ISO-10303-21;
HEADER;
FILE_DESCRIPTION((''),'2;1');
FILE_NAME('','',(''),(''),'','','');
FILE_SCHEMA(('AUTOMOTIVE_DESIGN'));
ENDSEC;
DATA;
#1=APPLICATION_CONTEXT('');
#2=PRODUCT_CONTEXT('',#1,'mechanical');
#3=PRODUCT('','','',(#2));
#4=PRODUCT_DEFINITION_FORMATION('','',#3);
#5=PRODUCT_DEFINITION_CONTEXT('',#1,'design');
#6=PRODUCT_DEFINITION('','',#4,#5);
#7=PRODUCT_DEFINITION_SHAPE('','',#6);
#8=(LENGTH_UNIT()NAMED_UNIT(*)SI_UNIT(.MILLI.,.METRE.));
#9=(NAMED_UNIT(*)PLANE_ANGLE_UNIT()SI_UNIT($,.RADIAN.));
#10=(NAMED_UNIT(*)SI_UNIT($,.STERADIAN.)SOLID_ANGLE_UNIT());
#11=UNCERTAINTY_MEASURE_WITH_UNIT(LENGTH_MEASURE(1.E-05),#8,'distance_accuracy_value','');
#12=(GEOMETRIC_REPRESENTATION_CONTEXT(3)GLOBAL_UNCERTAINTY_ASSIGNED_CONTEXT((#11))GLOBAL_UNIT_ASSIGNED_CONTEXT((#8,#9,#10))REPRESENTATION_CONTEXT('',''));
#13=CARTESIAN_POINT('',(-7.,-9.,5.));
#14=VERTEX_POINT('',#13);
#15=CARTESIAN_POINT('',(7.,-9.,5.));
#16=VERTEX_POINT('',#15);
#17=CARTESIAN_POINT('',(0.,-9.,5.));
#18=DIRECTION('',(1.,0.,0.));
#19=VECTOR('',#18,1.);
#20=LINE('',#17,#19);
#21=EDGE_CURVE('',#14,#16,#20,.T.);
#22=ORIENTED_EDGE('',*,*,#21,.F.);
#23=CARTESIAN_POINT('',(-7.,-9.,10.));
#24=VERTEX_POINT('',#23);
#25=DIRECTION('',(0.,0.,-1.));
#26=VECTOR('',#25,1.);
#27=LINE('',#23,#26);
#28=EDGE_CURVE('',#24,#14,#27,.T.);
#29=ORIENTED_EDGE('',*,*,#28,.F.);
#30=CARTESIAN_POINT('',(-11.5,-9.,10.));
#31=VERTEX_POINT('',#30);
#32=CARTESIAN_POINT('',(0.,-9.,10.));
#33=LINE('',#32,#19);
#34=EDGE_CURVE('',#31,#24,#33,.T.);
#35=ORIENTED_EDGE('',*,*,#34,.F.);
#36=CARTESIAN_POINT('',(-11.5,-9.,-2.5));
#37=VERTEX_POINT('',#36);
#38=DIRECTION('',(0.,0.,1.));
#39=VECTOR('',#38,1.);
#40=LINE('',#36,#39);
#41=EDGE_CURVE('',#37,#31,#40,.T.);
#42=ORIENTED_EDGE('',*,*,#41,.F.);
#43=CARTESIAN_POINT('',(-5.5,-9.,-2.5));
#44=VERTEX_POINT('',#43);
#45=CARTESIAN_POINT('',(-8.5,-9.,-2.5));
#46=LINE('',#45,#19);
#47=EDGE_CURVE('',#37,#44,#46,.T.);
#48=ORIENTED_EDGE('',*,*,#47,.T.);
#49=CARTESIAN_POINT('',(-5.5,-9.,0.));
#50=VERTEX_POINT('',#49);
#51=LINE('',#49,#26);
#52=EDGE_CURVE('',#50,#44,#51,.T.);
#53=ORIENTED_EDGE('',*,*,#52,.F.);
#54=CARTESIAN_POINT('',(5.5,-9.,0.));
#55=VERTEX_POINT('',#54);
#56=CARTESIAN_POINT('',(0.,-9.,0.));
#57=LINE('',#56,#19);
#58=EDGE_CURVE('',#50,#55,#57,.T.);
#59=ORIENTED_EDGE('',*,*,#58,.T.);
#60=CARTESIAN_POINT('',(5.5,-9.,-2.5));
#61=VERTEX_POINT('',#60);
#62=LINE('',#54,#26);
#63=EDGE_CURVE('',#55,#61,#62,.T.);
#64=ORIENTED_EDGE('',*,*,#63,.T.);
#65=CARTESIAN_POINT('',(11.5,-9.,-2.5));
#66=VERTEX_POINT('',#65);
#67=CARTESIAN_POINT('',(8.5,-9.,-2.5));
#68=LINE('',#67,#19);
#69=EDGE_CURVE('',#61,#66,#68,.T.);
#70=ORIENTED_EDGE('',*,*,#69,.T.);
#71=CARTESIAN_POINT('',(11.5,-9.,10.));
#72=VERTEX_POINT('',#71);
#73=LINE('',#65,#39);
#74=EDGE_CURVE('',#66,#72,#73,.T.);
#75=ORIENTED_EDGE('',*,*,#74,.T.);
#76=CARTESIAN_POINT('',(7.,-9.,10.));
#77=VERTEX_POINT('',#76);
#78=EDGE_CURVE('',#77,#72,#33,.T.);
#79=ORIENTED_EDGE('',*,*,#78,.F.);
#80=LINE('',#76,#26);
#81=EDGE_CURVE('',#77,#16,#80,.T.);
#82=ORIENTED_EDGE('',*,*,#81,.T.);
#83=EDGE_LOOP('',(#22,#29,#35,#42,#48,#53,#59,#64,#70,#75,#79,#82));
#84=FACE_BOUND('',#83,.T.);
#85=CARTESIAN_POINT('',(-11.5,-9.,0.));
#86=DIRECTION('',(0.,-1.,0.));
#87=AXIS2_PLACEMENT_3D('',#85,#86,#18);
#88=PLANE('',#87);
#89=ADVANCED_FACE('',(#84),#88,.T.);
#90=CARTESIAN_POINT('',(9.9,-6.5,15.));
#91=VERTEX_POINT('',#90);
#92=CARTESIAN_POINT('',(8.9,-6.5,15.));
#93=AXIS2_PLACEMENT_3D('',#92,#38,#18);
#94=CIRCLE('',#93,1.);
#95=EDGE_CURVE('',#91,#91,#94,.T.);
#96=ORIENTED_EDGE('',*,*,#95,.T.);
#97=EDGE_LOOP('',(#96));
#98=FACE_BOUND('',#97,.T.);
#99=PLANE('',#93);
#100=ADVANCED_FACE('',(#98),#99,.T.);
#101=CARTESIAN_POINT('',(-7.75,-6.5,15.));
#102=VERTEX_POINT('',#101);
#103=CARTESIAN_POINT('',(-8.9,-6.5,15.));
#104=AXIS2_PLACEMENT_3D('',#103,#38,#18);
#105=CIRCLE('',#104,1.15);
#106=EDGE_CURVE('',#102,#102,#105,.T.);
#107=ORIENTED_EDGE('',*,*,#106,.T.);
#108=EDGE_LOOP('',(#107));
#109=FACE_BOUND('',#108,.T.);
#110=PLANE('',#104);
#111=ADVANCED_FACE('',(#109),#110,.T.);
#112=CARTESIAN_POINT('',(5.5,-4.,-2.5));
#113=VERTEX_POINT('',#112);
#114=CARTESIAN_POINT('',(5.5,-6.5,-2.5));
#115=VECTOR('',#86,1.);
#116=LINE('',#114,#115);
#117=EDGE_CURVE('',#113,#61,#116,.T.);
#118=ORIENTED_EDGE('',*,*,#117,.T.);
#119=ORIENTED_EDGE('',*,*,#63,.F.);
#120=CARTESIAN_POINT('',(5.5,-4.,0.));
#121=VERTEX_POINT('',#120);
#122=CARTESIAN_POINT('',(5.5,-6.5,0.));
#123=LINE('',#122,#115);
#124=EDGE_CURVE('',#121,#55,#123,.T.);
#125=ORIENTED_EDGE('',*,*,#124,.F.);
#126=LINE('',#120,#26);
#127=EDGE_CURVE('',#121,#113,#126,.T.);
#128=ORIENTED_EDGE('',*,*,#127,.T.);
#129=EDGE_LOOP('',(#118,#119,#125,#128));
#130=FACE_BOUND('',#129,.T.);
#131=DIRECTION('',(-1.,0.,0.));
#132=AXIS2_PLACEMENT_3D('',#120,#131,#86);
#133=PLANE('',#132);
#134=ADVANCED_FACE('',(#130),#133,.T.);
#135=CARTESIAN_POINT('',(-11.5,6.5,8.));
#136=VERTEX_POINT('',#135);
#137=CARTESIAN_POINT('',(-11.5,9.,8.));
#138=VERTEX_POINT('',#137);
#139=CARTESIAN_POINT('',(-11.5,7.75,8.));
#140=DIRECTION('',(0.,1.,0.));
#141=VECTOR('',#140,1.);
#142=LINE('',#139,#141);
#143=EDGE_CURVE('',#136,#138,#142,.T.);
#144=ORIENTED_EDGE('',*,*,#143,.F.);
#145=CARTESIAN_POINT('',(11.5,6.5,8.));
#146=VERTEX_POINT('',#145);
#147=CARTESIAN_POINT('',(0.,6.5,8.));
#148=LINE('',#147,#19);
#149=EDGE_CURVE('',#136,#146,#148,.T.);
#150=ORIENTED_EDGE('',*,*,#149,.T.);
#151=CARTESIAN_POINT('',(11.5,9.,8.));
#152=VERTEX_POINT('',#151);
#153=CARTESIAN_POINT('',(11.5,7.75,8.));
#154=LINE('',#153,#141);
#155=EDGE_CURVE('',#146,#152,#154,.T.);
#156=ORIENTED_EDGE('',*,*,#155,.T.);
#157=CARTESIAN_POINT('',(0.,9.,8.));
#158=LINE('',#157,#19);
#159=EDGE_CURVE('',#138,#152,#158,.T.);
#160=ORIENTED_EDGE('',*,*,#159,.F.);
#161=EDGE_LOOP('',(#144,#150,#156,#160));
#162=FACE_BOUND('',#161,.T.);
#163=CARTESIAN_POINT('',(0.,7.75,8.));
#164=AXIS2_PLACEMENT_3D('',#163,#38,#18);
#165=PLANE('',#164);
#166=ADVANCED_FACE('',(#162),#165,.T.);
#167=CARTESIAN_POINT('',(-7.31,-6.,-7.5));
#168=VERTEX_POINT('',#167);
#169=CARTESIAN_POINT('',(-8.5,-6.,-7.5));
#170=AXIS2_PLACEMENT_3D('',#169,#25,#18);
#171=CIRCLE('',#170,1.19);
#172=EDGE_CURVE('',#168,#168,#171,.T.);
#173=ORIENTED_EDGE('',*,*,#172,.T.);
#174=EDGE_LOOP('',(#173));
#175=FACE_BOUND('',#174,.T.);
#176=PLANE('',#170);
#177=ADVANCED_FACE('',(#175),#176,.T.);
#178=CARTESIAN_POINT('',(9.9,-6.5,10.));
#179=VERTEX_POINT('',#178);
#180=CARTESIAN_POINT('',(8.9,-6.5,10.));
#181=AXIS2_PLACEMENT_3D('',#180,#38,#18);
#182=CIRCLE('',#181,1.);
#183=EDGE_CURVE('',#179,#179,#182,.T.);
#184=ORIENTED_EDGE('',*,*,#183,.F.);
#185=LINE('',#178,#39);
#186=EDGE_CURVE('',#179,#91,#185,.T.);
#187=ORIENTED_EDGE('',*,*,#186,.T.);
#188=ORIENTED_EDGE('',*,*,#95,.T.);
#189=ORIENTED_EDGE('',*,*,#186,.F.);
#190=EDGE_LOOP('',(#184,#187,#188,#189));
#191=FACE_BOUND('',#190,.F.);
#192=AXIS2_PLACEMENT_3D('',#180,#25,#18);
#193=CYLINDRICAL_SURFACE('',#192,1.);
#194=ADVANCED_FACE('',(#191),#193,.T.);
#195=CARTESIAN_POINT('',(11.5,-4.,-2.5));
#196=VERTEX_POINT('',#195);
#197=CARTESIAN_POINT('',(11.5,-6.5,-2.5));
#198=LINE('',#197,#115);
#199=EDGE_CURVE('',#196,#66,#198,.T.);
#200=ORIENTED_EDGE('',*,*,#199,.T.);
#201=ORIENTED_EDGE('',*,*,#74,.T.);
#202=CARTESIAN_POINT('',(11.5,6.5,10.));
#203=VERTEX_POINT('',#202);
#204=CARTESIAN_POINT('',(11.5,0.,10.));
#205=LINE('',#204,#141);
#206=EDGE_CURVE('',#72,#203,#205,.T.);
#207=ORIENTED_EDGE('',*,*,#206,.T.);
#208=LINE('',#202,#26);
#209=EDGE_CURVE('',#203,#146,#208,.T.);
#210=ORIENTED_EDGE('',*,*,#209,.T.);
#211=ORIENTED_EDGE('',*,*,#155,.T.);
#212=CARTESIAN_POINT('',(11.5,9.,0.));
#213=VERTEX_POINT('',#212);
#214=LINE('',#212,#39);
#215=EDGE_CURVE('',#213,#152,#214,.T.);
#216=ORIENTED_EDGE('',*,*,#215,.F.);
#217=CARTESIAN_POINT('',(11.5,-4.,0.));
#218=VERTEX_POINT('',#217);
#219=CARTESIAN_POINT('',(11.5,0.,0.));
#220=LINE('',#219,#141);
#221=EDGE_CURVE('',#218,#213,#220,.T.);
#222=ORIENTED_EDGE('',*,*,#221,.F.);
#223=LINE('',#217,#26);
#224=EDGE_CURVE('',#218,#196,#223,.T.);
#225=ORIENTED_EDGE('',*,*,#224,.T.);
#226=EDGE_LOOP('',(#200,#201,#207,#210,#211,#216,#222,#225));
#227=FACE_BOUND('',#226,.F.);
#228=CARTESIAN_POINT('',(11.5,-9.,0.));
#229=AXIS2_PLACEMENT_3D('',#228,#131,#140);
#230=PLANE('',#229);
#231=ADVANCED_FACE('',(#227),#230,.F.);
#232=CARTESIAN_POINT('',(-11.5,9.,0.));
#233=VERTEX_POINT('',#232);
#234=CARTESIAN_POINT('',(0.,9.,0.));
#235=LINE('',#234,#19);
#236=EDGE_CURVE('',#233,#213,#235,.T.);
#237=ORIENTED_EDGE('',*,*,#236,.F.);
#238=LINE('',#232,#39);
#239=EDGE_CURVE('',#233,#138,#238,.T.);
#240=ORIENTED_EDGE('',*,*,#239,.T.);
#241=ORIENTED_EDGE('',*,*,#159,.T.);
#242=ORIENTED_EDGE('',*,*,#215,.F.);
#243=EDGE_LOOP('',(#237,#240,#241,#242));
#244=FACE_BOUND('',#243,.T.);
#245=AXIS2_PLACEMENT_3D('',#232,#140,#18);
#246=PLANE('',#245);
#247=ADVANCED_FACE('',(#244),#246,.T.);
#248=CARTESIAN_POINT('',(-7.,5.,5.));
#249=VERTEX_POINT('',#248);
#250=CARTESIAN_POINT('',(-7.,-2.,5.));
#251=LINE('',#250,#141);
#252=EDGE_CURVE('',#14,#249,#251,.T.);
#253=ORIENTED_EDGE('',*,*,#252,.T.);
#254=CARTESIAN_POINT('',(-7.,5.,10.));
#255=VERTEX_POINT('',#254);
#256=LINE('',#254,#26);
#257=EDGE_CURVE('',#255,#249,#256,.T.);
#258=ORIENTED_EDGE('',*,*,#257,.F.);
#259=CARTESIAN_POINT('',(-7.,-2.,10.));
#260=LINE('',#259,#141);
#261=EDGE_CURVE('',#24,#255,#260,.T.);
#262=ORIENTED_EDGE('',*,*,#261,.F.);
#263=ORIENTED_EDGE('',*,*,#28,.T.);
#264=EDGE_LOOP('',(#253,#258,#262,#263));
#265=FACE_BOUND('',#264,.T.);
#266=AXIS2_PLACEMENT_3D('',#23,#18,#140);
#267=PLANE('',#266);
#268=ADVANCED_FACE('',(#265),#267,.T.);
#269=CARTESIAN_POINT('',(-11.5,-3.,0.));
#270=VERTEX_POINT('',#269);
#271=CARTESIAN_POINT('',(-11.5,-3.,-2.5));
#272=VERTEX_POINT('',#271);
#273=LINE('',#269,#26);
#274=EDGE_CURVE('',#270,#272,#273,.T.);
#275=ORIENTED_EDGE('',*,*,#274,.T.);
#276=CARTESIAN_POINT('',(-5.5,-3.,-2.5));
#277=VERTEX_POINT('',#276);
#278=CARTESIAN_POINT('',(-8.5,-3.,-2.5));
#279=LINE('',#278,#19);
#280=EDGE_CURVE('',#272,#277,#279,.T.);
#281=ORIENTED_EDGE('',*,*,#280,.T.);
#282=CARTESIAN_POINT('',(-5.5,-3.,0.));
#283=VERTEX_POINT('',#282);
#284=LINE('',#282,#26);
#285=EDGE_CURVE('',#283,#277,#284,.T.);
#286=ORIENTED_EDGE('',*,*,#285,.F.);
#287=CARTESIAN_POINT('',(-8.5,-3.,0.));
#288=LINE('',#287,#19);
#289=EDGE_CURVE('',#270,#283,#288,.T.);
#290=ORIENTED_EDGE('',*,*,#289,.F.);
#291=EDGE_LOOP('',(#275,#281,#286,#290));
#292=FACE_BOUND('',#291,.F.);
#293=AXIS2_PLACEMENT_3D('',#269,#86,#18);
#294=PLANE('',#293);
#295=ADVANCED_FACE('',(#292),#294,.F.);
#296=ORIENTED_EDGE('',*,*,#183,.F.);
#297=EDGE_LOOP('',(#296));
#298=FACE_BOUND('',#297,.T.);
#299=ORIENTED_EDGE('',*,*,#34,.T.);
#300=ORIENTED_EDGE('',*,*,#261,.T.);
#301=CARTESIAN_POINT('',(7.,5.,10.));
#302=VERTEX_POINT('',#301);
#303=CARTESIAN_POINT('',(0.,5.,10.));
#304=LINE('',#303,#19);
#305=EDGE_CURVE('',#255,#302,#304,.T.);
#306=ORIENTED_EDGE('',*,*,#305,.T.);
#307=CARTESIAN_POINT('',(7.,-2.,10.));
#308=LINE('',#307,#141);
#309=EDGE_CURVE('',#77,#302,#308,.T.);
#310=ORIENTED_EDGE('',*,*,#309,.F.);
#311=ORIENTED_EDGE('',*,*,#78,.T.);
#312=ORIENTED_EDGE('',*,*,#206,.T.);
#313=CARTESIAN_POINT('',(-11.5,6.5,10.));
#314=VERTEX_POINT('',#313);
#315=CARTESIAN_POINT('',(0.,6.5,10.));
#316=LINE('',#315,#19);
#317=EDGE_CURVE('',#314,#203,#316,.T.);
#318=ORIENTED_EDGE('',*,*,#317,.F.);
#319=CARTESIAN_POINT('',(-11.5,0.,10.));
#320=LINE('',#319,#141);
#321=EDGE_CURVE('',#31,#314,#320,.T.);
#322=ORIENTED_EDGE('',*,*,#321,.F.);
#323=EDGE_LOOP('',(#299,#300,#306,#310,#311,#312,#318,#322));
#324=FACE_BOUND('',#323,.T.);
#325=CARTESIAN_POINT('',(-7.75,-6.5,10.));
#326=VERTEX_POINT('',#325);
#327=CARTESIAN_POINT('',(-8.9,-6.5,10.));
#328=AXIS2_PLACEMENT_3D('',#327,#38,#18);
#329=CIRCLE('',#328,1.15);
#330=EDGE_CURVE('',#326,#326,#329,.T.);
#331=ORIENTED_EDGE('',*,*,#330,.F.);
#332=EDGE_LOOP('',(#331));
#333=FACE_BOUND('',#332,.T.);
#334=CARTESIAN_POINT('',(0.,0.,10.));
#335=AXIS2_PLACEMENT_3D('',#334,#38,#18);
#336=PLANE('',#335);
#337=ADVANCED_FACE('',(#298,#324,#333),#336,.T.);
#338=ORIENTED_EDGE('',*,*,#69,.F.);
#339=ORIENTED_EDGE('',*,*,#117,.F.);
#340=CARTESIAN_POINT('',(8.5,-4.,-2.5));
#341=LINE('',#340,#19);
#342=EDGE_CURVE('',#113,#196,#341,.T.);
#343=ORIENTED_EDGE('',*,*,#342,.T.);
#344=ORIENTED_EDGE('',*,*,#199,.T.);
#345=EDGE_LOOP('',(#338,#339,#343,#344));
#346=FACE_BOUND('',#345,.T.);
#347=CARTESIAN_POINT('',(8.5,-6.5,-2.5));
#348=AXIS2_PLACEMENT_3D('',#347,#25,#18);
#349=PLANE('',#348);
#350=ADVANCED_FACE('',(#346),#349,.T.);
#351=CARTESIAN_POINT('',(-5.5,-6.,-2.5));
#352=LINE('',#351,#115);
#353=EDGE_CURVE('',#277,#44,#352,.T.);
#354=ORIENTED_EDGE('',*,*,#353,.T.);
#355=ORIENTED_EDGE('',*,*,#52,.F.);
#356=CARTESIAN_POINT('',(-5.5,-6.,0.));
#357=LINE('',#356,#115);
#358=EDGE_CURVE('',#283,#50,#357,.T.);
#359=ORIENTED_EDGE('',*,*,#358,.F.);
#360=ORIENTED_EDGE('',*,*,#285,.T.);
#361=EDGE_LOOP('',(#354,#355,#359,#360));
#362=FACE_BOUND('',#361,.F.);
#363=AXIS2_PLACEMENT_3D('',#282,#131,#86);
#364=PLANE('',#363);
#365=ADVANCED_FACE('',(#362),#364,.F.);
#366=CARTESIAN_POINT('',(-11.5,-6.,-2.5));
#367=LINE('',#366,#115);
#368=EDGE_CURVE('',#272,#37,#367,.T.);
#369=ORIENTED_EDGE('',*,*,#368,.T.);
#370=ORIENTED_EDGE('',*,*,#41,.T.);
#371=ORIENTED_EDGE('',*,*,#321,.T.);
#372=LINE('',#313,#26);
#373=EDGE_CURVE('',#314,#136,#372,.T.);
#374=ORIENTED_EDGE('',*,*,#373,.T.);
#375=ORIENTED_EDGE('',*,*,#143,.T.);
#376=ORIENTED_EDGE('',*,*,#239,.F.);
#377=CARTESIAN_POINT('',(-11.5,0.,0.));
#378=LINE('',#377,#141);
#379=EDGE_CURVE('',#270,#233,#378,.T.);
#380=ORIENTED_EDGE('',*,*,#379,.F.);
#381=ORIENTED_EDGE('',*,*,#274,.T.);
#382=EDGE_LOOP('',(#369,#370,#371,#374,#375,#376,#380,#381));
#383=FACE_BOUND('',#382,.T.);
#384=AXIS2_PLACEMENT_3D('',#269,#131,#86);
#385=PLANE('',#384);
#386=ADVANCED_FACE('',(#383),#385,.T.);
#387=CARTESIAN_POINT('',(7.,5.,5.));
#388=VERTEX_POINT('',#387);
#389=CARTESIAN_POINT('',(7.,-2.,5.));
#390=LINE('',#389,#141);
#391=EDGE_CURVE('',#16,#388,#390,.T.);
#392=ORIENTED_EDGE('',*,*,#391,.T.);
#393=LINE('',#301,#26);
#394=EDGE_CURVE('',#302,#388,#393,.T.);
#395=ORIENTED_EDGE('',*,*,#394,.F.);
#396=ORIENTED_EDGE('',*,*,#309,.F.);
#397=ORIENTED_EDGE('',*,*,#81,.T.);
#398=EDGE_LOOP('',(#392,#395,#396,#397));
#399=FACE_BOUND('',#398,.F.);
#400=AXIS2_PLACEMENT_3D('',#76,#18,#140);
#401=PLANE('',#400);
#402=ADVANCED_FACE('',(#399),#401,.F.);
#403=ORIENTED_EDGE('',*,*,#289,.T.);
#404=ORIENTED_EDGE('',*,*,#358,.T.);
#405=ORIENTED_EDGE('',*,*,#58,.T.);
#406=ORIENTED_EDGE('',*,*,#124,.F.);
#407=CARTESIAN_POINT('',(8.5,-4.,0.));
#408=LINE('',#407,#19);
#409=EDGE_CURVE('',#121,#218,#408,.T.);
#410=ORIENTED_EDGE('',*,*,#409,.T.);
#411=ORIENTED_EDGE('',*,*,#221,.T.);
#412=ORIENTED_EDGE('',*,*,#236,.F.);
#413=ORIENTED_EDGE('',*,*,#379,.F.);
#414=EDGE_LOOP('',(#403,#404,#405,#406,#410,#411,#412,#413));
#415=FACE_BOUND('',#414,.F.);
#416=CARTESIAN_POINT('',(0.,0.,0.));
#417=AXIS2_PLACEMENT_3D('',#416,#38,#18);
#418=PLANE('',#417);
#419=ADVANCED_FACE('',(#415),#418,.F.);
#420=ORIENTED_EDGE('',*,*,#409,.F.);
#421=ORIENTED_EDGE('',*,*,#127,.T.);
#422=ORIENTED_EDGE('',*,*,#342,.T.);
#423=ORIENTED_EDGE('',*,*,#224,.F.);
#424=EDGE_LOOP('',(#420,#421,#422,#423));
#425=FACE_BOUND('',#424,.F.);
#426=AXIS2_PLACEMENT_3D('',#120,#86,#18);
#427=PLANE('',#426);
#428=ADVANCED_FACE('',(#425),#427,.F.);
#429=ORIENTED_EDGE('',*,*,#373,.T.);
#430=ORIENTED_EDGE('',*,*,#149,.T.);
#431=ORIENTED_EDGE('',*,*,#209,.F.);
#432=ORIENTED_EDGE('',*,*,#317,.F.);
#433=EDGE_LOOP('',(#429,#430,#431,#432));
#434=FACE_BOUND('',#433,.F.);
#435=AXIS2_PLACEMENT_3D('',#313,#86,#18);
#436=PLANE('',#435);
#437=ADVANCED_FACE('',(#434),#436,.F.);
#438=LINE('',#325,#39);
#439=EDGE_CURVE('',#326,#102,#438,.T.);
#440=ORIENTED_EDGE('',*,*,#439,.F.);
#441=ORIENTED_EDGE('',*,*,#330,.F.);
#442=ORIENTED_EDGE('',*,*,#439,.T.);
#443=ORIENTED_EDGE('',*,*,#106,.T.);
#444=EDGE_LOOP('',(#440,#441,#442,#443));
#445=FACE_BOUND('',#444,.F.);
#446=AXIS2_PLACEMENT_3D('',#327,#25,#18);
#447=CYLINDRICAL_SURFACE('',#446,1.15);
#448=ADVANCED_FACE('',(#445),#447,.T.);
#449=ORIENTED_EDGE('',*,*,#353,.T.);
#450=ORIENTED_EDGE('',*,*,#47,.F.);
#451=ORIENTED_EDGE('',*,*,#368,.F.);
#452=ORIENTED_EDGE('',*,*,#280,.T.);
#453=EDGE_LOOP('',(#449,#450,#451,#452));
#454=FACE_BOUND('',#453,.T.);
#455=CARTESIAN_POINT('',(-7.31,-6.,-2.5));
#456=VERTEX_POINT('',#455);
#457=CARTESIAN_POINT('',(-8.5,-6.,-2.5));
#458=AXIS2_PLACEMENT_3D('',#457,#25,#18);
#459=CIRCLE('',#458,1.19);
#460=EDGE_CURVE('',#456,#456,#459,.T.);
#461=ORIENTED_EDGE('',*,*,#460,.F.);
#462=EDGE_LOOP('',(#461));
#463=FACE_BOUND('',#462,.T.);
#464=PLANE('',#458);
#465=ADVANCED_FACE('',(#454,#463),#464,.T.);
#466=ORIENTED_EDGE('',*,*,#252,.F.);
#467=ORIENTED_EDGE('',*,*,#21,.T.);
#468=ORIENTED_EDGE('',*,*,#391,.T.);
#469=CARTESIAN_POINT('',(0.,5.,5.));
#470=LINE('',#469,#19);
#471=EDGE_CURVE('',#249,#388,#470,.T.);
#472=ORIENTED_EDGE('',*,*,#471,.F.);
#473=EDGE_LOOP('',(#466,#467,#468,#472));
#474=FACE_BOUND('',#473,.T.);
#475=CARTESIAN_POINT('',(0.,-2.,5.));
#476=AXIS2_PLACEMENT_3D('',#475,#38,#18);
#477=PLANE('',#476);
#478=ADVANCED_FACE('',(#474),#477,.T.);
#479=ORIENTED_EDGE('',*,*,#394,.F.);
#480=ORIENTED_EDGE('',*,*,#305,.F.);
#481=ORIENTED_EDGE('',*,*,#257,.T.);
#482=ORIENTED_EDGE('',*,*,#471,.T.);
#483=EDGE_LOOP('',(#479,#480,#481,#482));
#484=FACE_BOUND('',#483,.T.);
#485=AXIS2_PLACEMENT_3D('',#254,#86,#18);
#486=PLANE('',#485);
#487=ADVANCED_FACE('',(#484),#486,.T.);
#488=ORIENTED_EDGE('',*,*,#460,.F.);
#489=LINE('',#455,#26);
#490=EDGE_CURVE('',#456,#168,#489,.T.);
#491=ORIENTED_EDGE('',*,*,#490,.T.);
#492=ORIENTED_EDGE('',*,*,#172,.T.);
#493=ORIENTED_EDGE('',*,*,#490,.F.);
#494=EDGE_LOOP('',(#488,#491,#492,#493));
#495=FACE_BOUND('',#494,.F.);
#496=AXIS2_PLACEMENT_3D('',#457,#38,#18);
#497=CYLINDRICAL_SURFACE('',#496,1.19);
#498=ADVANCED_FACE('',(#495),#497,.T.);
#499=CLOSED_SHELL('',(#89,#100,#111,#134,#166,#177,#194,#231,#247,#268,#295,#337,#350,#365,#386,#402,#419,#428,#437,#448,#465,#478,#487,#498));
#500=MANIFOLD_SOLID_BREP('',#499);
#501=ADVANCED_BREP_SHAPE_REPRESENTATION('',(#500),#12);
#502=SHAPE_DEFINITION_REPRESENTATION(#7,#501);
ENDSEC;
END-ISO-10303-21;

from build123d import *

# Parameters (mm, degrees)
F0_W      = 23
F0_H      = 18
F1_DEPTH  = 10
F2_W      = 6
F2_H      = 6
F2_H_2    = 5
F3_DEPTH  = 2.5
F4_R      = 1.19
F5_DEPTH  = 5
F6_W      = 14
F6_H      = 14
F7_DEPTH  = 5
F8_R      = 1.15
F8_R_2    = 1
F9_DEPTH  = 5
F10_W     = 23
F10_H     = 2.5
F11_DEPTH = 2


with BuildPart() as f1:
    # F0 (on Top) → F1 (new body)
    with BuildSketch(Plane.XY):
        Rectangle(F0_W, F0_H)
    extrude(amount=F1_DEPTH)

    # F2 (on face) → F3 (join)
    with BuildSketch(Plane(origin=(0, 0, 0), x_dir=(1, 0, 0), z_dir=(0, 0, -1))):
        with Locations((-8.5, 6)):
            Rectangle(F2_W, F2_H)
        with Locations((8.5, 6.5)):
            Rectangle(F2_W, F2_H_2)
    extrude(amount=F3_DEPTH)

    # F4 (on face) → F5 (join)
    with BuildSketch(Plane(origin=(0, 0, -2.5), x_dir=(1, 0, 0), z_dir=(0, 0, -1))):
        with Locations((-8.5, 6)):
            Circle(F4_R)
    extrude(amount=F5_DEPTH)

    # F6 (on face) → F7 (cut)
    with BuildSketch(Plane.XY.offset(10)):
        with Locations((0, -2)):
            Rectangle(F6_W, F6_H)
    extrude(amount=-F7_DEPTH, mode=Mode.SUBTRACT)

    # F8 (on face) → F9 (join)
    with BuildSketch(Plane.XY.offset(10)):
        with Locations((-8.9, -6.5)):
            Circle(F8_R)
        with Locations((8.9, -6.5)):
            Circle(F8_R_2)
    extrude(amount=F9_DEPTH)

    # F10 (on face) → F11 (cut)
    with BuildSketch(Plane.XY.offset(10)):
        with Locations((0, 7.75)):
            Rectangle(F10_W, F10_H)
    extrude(amount=-F11_DEPTH, mode=Mode.SUBTRACT)


solid = f1.part
